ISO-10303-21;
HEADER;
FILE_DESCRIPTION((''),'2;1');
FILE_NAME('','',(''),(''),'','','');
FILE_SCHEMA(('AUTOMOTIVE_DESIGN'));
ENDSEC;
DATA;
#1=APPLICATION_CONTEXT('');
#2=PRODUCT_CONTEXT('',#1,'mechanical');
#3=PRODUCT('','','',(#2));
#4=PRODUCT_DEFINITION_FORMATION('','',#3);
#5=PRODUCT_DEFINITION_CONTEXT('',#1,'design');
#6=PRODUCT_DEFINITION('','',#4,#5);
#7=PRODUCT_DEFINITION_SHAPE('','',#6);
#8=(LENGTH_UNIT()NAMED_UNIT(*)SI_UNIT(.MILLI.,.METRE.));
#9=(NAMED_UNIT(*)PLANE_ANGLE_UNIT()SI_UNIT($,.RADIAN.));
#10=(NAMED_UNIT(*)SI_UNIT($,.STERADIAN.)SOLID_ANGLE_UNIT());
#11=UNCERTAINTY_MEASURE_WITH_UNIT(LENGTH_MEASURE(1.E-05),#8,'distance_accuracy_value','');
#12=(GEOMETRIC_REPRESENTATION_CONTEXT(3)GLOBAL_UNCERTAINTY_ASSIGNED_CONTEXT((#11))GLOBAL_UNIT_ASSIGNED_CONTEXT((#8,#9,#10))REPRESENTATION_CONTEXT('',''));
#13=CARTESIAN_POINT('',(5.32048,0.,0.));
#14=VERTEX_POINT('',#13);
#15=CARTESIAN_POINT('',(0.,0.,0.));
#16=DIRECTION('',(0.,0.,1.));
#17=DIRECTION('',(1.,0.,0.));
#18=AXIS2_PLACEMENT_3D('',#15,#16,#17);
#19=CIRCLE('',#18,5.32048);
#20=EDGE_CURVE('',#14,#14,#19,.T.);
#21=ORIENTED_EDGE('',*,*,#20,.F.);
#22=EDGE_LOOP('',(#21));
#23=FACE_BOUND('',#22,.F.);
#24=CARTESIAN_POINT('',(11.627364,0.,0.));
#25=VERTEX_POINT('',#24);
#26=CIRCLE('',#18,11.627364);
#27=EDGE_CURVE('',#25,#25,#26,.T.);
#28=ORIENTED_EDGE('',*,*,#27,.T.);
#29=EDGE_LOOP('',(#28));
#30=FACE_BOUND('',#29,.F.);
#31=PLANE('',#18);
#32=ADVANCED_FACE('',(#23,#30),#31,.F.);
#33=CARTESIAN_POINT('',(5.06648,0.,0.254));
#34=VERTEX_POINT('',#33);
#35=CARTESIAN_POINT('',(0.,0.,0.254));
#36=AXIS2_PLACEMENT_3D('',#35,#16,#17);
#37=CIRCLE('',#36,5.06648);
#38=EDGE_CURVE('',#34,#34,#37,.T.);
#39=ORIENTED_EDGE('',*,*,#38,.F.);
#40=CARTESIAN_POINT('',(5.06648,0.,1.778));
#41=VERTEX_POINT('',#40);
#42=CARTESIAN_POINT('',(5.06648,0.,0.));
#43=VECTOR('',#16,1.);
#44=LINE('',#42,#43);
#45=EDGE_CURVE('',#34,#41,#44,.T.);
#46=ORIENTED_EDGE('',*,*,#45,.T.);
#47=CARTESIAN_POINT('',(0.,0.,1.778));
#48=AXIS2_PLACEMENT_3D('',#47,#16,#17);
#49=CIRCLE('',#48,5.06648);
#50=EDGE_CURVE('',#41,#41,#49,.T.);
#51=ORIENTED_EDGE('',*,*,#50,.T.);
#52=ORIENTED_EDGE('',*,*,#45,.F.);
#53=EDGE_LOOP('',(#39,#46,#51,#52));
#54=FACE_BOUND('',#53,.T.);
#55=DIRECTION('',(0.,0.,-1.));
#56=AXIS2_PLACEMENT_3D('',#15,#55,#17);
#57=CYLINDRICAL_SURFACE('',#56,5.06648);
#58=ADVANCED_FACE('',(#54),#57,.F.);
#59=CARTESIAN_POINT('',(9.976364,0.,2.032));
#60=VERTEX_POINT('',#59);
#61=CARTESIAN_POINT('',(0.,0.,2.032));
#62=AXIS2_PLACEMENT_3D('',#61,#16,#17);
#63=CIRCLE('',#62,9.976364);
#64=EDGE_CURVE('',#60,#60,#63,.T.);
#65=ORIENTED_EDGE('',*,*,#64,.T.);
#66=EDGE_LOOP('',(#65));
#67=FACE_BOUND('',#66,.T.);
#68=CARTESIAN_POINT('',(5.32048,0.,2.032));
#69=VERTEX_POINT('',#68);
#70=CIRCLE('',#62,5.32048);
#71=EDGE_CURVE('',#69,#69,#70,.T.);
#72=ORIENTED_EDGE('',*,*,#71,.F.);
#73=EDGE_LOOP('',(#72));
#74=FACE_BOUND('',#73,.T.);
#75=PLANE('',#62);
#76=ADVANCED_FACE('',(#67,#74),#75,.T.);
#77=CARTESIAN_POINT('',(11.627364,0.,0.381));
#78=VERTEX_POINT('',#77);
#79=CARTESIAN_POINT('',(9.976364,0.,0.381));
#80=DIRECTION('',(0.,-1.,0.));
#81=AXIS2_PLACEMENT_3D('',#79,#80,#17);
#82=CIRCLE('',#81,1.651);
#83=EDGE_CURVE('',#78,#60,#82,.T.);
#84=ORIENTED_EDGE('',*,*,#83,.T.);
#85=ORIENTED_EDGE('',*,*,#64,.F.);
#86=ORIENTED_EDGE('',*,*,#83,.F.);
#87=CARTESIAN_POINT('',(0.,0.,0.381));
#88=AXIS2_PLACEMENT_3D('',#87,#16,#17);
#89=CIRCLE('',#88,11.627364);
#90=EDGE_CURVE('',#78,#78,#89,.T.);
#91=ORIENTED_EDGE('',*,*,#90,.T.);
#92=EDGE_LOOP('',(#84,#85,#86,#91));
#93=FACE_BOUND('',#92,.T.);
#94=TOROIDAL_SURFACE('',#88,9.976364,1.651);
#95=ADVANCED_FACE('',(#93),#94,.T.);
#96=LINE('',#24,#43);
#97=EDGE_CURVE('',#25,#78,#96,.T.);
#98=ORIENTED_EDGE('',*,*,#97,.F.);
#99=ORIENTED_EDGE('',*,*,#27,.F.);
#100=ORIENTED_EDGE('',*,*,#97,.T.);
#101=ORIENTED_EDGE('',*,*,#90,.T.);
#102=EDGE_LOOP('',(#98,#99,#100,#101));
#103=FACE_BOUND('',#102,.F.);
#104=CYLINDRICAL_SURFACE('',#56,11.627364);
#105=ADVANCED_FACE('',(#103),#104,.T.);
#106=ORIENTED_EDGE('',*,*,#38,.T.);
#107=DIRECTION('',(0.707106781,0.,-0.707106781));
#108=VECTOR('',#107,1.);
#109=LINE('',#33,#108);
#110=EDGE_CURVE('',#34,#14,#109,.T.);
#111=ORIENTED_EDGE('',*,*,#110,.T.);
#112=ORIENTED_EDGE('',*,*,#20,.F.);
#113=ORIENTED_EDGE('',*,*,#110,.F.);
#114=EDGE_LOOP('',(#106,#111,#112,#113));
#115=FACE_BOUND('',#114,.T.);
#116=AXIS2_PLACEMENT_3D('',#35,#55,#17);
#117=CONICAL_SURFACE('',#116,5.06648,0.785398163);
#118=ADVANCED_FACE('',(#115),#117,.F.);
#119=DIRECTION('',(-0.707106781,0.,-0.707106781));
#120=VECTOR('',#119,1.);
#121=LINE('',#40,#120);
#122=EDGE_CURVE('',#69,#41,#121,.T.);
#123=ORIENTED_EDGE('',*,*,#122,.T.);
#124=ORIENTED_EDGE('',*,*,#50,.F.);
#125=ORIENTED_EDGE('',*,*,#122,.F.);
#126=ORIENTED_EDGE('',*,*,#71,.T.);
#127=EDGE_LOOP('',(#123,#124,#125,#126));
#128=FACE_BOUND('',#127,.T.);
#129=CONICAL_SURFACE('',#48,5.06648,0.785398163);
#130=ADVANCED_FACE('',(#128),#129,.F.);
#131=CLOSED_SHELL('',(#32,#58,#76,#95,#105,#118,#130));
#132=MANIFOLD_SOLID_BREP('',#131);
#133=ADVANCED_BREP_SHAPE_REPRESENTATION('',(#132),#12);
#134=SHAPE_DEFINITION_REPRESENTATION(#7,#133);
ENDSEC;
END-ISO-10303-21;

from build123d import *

# Parameters (mm, degrees)
F0_R     = 11.627364
F0_R_2   = 5.06648
F1_DEPTH = 2.032
F2_R     = 1.651
F3_SIZE  = 0.254
F4_SIZE  = 0.254


with BuildPart() as f1:
    # F0 (on Top) → F1 (new body)
    with BuildSketch(Plane.XY):
        Circle(F0_R)
        Circle(F0_R_2, mode=Mode.SUBTRACT)
    extrude(amount=F1_DEPTH)

    # F2
    f2_edges = [f1.edges().sort_by_distance(p)[0] for p in [
        (-11.627364, 0, 2.032),
    ]]
    fillet(f2_edges, radius=F2_R)

    # F3
    f3_edges = [f1.edges().sort_by_distance(p)[0] for p in [
        (-5.06648, 0, 2.032),
    ]]
    chamfer(f3_edges, length=F3_SIZE)

    # F4
    f4_edges = [f1.edges().sort_by_distance(p)[0] for p in [
        (-5.06648, 0, 0),
    ]]
    chamfer(f4_edges, length=F4_SIZE)


solid = f1.part
